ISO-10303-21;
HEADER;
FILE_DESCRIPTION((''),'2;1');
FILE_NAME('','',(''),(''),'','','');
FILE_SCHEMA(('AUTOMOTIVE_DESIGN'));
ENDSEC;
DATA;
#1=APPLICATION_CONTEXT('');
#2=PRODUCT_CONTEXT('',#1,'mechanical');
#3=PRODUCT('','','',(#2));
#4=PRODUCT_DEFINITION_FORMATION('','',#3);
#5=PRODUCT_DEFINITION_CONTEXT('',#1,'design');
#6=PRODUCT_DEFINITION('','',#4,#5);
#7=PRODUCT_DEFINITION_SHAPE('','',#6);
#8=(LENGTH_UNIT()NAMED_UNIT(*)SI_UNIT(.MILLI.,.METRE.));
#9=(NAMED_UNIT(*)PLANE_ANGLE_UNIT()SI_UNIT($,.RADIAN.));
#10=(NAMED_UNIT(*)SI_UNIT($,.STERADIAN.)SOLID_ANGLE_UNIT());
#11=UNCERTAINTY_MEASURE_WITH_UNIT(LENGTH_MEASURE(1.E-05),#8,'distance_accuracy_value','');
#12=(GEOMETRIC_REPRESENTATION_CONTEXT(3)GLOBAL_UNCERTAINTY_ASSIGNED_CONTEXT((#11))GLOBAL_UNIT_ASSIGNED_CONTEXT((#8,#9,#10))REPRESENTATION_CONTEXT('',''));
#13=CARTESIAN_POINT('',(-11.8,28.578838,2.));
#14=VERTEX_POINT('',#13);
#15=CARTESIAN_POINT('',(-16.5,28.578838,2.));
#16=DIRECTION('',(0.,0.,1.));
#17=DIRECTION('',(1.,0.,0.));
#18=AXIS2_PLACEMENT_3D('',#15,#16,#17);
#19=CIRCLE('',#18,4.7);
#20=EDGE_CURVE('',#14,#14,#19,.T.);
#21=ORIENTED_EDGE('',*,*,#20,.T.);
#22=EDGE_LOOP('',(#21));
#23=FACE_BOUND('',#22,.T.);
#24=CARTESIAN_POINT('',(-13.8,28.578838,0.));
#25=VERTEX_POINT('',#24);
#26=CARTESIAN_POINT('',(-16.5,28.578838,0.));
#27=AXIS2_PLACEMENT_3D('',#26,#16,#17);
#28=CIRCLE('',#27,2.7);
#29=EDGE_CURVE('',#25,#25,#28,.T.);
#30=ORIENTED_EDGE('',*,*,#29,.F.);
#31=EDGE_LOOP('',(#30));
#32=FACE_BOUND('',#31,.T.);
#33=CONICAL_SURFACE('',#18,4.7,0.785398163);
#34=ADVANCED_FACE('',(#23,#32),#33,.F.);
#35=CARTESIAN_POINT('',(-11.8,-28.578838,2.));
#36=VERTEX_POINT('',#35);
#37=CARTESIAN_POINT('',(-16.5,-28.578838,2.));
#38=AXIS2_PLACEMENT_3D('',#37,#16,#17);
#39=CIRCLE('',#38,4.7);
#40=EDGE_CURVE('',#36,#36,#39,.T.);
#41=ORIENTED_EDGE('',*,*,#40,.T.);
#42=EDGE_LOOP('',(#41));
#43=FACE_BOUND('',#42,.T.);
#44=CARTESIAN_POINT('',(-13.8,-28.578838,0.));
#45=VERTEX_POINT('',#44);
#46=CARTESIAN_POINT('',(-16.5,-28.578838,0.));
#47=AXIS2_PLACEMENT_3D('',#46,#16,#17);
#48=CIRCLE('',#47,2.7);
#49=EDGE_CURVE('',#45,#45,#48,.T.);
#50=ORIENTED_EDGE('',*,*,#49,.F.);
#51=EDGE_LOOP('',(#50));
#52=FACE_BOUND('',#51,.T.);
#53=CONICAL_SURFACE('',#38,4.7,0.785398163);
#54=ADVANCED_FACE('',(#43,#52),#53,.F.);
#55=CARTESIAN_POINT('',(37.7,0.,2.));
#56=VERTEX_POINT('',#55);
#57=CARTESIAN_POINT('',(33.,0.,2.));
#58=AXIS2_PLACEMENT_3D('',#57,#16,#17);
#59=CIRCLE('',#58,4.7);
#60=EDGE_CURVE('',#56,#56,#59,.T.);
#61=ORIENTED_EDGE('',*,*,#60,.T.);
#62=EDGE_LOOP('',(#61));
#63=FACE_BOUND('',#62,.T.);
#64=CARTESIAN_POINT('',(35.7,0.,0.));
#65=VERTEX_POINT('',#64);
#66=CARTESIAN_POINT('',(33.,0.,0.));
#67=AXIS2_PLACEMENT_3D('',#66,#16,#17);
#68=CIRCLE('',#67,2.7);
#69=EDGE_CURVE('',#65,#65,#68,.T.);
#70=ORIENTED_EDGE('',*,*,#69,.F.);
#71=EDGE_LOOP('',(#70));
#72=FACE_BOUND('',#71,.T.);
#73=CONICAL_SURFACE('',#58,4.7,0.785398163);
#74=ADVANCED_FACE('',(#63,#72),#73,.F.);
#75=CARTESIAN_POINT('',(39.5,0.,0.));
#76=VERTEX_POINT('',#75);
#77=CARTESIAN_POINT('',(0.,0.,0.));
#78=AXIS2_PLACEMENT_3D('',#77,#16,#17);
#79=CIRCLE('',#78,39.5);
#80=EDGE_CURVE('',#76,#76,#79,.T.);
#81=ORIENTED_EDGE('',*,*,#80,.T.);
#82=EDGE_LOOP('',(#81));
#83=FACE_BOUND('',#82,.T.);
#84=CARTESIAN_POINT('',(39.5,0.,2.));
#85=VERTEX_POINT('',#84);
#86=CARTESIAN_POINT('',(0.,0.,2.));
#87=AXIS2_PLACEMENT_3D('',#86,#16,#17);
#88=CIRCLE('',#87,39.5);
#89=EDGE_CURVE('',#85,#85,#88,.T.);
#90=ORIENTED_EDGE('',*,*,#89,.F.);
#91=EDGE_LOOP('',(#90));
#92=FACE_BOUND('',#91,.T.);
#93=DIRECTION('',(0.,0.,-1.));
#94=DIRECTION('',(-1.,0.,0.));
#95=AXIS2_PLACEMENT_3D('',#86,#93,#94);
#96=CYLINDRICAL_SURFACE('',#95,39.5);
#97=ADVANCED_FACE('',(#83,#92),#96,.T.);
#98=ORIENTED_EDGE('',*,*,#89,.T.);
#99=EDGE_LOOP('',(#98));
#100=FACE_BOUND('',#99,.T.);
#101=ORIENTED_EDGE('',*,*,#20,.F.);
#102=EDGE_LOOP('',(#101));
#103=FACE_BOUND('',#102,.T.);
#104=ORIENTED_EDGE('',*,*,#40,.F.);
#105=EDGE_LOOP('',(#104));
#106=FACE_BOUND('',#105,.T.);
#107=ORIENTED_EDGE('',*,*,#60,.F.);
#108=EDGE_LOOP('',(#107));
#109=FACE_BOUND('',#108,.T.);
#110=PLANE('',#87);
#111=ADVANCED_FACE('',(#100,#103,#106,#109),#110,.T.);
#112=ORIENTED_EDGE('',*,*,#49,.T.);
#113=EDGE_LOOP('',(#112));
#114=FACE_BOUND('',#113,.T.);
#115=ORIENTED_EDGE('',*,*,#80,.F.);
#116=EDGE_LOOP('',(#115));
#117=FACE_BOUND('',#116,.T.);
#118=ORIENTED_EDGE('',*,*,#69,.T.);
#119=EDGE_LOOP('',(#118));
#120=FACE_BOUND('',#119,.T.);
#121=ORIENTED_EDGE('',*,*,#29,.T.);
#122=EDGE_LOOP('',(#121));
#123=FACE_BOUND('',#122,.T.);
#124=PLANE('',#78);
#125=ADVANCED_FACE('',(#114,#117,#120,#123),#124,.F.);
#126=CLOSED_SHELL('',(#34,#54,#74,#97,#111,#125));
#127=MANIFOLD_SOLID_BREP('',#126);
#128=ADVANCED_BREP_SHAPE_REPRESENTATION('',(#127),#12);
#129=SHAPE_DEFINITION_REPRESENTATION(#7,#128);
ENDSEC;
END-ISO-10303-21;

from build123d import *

# Parameters (mm, degrees)
SKETCH1_R           = 39.5
BOSS_EXTRUDE1_DEPTH = 2
CIRPATTERN1_COUNT   = 3


with BuildPart() as part:
    # Sketch1 → Boss-Extrude1 (new body)
    with BuildSketch(Plane.XY):
        Circle(SKETCH1_R)
    extrude(amount=BOSS_EXTRUDE1_DEPTH)

    # Sketch3 → CSK for M4 Flat Head Machine Screw1 (revolve, cut)
    with BuildSketch(Plane(origin=(33, 0, 2), x_dir=(0, -1, 0), z_dir=(1, 0, 0))):
        Polygon((0, 0), (0, 27.391936393), (2.25, 26.04), (2.25, 2.45), (4.7, 0), align=None)
    csk_for_m4_flat_head_machine_screw1 = revolve(axis=Axis((33, 0, 8.35), (0, 0, -1)), mode=Mode.SUBTRACT)

    # CirPattern1: CSK for M4 Flat Head Machine Screw1 ×3 about axis
    cirpattern1_axis = Axis((0, 0, 0), (0, 0, 1))
    for i in range(1, CIRPATTERN1_COUNT):
        add(csk_for_m4_flat_head_machine_screw1.rotate(cirpattern1_axis, i * 360 / CIRPATTERN1_COUNT), mode=Mode.SUBTRACT)


solid = part.part
